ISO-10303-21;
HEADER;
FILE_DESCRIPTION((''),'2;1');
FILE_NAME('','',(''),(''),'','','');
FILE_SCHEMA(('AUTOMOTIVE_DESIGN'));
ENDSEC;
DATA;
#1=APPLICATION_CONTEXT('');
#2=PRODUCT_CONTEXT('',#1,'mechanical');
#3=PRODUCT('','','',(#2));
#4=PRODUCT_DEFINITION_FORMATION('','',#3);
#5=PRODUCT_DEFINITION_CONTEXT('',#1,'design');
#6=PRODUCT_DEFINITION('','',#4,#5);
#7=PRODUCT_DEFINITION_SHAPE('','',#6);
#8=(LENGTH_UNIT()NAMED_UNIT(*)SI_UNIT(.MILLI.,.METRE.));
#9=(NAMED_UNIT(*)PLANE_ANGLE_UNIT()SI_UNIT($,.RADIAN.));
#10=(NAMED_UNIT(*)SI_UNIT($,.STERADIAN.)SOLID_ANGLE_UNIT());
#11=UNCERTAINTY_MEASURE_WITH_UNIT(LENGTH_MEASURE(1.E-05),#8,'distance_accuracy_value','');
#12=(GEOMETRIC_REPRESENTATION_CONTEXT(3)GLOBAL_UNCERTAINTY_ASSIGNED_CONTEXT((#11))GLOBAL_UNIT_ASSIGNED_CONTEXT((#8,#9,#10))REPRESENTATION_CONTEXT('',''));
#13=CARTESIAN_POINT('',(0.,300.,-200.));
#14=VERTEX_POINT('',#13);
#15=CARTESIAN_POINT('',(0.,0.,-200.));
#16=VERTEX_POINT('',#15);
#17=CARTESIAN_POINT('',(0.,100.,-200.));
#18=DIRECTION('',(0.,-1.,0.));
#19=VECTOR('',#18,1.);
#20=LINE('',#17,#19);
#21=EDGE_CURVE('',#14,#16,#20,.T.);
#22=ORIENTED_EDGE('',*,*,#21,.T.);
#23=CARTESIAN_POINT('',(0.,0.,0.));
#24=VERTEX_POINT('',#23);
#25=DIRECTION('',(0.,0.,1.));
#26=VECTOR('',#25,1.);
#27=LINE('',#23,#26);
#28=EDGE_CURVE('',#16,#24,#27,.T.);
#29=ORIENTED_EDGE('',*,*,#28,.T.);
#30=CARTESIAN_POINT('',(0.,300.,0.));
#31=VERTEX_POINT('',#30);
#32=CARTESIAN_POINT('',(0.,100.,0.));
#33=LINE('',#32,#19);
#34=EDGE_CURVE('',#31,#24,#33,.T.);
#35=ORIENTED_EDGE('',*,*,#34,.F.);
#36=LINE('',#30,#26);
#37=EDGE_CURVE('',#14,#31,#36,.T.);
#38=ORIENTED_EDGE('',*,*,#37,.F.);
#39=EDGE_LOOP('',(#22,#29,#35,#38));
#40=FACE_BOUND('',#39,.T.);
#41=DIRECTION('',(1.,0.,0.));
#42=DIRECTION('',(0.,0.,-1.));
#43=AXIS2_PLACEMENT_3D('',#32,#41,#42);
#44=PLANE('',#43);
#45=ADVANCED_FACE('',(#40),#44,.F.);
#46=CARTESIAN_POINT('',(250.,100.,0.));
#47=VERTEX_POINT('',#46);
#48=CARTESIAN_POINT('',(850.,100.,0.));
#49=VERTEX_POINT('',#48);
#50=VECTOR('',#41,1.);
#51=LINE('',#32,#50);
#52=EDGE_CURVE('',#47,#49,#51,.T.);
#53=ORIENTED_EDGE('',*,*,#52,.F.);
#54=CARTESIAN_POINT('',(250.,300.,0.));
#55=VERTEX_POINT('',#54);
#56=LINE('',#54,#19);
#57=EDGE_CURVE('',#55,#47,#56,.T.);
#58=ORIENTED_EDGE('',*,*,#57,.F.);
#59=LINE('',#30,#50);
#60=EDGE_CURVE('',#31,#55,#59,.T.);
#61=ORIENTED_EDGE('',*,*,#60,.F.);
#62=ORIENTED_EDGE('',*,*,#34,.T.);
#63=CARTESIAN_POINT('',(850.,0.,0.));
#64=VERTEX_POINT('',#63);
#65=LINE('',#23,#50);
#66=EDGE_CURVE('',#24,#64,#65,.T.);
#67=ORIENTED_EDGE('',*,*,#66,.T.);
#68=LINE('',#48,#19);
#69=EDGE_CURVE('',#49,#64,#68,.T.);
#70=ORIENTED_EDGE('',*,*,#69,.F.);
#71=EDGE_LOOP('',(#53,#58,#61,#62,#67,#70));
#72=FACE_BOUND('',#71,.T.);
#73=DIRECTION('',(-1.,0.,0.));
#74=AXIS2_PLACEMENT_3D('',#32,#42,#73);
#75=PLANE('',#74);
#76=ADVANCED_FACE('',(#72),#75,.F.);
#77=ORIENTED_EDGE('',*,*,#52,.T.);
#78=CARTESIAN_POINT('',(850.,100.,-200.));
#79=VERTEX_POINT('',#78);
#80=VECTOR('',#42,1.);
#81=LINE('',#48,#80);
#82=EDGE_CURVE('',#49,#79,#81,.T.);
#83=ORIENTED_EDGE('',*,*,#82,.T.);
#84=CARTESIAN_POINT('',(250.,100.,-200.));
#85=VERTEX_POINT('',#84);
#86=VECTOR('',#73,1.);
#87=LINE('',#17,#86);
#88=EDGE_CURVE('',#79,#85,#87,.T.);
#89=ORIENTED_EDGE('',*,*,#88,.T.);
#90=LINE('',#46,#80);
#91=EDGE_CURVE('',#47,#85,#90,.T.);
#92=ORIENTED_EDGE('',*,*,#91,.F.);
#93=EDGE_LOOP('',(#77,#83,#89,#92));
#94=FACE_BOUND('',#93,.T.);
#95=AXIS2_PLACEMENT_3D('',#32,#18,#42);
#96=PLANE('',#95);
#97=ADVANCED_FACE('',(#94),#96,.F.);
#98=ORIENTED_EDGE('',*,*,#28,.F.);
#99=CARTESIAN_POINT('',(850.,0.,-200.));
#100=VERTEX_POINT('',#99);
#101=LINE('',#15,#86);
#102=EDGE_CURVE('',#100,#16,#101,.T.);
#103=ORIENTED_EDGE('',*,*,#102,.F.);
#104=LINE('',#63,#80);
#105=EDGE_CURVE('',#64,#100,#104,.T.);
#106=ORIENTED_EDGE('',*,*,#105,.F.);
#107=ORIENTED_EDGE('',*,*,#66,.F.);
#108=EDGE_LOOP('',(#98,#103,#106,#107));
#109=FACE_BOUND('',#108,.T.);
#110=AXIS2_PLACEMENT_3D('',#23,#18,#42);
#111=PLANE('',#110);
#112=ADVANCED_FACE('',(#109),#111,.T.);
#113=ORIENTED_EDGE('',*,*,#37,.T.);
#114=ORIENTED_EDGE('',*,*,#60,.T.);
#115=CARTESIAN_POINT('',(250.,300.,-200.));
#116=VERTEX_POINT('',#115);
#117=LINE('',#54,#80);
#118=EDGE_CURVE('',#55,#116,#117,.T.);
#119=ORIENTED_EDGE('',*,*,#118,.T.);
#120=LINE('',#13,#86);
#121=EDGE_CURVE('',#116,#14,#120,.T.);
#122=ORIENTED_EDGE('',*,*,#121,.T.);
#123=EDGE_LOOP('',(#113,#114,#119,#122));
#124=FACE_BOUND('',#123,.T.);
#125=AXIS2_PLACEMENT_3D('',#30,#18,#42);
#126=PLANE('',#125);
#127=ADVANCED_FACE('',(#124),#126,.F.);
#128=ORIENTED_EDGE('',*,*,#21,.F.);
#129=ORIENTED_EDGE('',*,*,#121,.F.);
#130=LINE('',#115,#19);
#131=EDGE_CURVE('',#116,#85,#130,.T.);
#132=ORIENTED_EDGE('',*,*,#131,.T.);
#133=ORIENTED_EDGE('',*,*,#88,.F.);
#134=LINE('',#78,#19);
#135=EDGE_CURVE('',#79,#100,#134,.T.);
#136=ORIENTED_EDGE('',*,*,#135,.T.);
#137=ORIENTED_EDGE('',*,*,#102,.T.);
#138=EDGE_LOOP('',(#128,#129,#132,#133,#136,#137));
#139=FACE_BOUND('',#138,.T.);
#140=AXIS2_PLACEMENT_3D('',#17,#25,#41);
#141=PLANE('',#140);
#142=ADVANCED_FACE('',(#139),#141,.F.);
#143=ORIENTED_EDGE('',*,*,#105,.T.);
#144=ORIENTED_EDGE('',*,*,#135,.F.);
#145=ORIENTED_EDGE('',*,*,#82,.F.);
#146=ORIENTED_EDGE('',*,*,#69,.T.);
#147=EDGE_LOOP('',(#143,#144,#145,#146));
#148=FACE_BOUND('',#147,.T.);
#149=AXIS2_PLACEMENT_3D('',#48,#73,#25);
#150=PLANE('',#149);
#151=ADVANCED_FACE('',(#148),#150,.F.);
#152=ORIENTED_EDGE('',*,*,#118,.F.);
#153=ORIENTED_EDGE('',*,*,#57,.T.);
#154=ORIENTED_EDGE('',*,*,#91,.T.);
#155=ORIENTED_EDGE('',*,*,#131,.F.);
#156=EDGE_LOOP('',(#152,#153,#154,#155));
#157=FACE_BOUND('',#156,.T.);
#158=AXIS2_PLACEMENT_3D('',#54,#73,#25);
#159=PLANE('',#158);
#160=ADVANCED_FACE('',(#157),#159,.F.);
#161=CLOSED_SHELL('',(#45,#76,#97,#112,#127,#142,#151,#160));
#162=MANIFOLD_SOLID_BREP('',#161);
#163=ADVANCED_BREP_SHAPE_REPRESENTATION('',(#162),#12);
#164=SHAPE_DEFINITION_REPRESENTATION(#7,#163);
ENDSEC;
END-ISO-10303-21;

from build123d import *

# Parameters (mm, degrees)
SKETCH1_W           = 850
SKETCH1_H           = 200
BOSS_EXTRUDE1_DEPTH = 100
SKETCH2_W           = 250
SKETCH2_H           = 200
BOSS_EXTRUDE2_DEPTH = 200


with BuildPart() as part:
    # Sketch1 → Boss-Extrude1 (new body)
    with BuildSketch(Plane(origin=(0, 0, 0), x_dir=(1, 0, 0), z_dir=(0, 1, 0))):
        with Locations((425, 100)):
            Rectangle(SKETCH1_W, SKETCH1_H)
    extrude(amount=BOSS_EXTRUDE1_DEPTH)

    # Sketch2 → Boss-Extrude2 (add)
    with BuildSketch(Plane(origin=(0, 100, 0), x_dir=(1, 0, 0), z_dir=(0, 1, 0))):
        with Locations((125, 100)):
            Rectangle(SKETCH2_W, SKETCH2_H)
    extrude(amount=BOSS_EXTRUDE2_DEPTH)


solid = part.part
